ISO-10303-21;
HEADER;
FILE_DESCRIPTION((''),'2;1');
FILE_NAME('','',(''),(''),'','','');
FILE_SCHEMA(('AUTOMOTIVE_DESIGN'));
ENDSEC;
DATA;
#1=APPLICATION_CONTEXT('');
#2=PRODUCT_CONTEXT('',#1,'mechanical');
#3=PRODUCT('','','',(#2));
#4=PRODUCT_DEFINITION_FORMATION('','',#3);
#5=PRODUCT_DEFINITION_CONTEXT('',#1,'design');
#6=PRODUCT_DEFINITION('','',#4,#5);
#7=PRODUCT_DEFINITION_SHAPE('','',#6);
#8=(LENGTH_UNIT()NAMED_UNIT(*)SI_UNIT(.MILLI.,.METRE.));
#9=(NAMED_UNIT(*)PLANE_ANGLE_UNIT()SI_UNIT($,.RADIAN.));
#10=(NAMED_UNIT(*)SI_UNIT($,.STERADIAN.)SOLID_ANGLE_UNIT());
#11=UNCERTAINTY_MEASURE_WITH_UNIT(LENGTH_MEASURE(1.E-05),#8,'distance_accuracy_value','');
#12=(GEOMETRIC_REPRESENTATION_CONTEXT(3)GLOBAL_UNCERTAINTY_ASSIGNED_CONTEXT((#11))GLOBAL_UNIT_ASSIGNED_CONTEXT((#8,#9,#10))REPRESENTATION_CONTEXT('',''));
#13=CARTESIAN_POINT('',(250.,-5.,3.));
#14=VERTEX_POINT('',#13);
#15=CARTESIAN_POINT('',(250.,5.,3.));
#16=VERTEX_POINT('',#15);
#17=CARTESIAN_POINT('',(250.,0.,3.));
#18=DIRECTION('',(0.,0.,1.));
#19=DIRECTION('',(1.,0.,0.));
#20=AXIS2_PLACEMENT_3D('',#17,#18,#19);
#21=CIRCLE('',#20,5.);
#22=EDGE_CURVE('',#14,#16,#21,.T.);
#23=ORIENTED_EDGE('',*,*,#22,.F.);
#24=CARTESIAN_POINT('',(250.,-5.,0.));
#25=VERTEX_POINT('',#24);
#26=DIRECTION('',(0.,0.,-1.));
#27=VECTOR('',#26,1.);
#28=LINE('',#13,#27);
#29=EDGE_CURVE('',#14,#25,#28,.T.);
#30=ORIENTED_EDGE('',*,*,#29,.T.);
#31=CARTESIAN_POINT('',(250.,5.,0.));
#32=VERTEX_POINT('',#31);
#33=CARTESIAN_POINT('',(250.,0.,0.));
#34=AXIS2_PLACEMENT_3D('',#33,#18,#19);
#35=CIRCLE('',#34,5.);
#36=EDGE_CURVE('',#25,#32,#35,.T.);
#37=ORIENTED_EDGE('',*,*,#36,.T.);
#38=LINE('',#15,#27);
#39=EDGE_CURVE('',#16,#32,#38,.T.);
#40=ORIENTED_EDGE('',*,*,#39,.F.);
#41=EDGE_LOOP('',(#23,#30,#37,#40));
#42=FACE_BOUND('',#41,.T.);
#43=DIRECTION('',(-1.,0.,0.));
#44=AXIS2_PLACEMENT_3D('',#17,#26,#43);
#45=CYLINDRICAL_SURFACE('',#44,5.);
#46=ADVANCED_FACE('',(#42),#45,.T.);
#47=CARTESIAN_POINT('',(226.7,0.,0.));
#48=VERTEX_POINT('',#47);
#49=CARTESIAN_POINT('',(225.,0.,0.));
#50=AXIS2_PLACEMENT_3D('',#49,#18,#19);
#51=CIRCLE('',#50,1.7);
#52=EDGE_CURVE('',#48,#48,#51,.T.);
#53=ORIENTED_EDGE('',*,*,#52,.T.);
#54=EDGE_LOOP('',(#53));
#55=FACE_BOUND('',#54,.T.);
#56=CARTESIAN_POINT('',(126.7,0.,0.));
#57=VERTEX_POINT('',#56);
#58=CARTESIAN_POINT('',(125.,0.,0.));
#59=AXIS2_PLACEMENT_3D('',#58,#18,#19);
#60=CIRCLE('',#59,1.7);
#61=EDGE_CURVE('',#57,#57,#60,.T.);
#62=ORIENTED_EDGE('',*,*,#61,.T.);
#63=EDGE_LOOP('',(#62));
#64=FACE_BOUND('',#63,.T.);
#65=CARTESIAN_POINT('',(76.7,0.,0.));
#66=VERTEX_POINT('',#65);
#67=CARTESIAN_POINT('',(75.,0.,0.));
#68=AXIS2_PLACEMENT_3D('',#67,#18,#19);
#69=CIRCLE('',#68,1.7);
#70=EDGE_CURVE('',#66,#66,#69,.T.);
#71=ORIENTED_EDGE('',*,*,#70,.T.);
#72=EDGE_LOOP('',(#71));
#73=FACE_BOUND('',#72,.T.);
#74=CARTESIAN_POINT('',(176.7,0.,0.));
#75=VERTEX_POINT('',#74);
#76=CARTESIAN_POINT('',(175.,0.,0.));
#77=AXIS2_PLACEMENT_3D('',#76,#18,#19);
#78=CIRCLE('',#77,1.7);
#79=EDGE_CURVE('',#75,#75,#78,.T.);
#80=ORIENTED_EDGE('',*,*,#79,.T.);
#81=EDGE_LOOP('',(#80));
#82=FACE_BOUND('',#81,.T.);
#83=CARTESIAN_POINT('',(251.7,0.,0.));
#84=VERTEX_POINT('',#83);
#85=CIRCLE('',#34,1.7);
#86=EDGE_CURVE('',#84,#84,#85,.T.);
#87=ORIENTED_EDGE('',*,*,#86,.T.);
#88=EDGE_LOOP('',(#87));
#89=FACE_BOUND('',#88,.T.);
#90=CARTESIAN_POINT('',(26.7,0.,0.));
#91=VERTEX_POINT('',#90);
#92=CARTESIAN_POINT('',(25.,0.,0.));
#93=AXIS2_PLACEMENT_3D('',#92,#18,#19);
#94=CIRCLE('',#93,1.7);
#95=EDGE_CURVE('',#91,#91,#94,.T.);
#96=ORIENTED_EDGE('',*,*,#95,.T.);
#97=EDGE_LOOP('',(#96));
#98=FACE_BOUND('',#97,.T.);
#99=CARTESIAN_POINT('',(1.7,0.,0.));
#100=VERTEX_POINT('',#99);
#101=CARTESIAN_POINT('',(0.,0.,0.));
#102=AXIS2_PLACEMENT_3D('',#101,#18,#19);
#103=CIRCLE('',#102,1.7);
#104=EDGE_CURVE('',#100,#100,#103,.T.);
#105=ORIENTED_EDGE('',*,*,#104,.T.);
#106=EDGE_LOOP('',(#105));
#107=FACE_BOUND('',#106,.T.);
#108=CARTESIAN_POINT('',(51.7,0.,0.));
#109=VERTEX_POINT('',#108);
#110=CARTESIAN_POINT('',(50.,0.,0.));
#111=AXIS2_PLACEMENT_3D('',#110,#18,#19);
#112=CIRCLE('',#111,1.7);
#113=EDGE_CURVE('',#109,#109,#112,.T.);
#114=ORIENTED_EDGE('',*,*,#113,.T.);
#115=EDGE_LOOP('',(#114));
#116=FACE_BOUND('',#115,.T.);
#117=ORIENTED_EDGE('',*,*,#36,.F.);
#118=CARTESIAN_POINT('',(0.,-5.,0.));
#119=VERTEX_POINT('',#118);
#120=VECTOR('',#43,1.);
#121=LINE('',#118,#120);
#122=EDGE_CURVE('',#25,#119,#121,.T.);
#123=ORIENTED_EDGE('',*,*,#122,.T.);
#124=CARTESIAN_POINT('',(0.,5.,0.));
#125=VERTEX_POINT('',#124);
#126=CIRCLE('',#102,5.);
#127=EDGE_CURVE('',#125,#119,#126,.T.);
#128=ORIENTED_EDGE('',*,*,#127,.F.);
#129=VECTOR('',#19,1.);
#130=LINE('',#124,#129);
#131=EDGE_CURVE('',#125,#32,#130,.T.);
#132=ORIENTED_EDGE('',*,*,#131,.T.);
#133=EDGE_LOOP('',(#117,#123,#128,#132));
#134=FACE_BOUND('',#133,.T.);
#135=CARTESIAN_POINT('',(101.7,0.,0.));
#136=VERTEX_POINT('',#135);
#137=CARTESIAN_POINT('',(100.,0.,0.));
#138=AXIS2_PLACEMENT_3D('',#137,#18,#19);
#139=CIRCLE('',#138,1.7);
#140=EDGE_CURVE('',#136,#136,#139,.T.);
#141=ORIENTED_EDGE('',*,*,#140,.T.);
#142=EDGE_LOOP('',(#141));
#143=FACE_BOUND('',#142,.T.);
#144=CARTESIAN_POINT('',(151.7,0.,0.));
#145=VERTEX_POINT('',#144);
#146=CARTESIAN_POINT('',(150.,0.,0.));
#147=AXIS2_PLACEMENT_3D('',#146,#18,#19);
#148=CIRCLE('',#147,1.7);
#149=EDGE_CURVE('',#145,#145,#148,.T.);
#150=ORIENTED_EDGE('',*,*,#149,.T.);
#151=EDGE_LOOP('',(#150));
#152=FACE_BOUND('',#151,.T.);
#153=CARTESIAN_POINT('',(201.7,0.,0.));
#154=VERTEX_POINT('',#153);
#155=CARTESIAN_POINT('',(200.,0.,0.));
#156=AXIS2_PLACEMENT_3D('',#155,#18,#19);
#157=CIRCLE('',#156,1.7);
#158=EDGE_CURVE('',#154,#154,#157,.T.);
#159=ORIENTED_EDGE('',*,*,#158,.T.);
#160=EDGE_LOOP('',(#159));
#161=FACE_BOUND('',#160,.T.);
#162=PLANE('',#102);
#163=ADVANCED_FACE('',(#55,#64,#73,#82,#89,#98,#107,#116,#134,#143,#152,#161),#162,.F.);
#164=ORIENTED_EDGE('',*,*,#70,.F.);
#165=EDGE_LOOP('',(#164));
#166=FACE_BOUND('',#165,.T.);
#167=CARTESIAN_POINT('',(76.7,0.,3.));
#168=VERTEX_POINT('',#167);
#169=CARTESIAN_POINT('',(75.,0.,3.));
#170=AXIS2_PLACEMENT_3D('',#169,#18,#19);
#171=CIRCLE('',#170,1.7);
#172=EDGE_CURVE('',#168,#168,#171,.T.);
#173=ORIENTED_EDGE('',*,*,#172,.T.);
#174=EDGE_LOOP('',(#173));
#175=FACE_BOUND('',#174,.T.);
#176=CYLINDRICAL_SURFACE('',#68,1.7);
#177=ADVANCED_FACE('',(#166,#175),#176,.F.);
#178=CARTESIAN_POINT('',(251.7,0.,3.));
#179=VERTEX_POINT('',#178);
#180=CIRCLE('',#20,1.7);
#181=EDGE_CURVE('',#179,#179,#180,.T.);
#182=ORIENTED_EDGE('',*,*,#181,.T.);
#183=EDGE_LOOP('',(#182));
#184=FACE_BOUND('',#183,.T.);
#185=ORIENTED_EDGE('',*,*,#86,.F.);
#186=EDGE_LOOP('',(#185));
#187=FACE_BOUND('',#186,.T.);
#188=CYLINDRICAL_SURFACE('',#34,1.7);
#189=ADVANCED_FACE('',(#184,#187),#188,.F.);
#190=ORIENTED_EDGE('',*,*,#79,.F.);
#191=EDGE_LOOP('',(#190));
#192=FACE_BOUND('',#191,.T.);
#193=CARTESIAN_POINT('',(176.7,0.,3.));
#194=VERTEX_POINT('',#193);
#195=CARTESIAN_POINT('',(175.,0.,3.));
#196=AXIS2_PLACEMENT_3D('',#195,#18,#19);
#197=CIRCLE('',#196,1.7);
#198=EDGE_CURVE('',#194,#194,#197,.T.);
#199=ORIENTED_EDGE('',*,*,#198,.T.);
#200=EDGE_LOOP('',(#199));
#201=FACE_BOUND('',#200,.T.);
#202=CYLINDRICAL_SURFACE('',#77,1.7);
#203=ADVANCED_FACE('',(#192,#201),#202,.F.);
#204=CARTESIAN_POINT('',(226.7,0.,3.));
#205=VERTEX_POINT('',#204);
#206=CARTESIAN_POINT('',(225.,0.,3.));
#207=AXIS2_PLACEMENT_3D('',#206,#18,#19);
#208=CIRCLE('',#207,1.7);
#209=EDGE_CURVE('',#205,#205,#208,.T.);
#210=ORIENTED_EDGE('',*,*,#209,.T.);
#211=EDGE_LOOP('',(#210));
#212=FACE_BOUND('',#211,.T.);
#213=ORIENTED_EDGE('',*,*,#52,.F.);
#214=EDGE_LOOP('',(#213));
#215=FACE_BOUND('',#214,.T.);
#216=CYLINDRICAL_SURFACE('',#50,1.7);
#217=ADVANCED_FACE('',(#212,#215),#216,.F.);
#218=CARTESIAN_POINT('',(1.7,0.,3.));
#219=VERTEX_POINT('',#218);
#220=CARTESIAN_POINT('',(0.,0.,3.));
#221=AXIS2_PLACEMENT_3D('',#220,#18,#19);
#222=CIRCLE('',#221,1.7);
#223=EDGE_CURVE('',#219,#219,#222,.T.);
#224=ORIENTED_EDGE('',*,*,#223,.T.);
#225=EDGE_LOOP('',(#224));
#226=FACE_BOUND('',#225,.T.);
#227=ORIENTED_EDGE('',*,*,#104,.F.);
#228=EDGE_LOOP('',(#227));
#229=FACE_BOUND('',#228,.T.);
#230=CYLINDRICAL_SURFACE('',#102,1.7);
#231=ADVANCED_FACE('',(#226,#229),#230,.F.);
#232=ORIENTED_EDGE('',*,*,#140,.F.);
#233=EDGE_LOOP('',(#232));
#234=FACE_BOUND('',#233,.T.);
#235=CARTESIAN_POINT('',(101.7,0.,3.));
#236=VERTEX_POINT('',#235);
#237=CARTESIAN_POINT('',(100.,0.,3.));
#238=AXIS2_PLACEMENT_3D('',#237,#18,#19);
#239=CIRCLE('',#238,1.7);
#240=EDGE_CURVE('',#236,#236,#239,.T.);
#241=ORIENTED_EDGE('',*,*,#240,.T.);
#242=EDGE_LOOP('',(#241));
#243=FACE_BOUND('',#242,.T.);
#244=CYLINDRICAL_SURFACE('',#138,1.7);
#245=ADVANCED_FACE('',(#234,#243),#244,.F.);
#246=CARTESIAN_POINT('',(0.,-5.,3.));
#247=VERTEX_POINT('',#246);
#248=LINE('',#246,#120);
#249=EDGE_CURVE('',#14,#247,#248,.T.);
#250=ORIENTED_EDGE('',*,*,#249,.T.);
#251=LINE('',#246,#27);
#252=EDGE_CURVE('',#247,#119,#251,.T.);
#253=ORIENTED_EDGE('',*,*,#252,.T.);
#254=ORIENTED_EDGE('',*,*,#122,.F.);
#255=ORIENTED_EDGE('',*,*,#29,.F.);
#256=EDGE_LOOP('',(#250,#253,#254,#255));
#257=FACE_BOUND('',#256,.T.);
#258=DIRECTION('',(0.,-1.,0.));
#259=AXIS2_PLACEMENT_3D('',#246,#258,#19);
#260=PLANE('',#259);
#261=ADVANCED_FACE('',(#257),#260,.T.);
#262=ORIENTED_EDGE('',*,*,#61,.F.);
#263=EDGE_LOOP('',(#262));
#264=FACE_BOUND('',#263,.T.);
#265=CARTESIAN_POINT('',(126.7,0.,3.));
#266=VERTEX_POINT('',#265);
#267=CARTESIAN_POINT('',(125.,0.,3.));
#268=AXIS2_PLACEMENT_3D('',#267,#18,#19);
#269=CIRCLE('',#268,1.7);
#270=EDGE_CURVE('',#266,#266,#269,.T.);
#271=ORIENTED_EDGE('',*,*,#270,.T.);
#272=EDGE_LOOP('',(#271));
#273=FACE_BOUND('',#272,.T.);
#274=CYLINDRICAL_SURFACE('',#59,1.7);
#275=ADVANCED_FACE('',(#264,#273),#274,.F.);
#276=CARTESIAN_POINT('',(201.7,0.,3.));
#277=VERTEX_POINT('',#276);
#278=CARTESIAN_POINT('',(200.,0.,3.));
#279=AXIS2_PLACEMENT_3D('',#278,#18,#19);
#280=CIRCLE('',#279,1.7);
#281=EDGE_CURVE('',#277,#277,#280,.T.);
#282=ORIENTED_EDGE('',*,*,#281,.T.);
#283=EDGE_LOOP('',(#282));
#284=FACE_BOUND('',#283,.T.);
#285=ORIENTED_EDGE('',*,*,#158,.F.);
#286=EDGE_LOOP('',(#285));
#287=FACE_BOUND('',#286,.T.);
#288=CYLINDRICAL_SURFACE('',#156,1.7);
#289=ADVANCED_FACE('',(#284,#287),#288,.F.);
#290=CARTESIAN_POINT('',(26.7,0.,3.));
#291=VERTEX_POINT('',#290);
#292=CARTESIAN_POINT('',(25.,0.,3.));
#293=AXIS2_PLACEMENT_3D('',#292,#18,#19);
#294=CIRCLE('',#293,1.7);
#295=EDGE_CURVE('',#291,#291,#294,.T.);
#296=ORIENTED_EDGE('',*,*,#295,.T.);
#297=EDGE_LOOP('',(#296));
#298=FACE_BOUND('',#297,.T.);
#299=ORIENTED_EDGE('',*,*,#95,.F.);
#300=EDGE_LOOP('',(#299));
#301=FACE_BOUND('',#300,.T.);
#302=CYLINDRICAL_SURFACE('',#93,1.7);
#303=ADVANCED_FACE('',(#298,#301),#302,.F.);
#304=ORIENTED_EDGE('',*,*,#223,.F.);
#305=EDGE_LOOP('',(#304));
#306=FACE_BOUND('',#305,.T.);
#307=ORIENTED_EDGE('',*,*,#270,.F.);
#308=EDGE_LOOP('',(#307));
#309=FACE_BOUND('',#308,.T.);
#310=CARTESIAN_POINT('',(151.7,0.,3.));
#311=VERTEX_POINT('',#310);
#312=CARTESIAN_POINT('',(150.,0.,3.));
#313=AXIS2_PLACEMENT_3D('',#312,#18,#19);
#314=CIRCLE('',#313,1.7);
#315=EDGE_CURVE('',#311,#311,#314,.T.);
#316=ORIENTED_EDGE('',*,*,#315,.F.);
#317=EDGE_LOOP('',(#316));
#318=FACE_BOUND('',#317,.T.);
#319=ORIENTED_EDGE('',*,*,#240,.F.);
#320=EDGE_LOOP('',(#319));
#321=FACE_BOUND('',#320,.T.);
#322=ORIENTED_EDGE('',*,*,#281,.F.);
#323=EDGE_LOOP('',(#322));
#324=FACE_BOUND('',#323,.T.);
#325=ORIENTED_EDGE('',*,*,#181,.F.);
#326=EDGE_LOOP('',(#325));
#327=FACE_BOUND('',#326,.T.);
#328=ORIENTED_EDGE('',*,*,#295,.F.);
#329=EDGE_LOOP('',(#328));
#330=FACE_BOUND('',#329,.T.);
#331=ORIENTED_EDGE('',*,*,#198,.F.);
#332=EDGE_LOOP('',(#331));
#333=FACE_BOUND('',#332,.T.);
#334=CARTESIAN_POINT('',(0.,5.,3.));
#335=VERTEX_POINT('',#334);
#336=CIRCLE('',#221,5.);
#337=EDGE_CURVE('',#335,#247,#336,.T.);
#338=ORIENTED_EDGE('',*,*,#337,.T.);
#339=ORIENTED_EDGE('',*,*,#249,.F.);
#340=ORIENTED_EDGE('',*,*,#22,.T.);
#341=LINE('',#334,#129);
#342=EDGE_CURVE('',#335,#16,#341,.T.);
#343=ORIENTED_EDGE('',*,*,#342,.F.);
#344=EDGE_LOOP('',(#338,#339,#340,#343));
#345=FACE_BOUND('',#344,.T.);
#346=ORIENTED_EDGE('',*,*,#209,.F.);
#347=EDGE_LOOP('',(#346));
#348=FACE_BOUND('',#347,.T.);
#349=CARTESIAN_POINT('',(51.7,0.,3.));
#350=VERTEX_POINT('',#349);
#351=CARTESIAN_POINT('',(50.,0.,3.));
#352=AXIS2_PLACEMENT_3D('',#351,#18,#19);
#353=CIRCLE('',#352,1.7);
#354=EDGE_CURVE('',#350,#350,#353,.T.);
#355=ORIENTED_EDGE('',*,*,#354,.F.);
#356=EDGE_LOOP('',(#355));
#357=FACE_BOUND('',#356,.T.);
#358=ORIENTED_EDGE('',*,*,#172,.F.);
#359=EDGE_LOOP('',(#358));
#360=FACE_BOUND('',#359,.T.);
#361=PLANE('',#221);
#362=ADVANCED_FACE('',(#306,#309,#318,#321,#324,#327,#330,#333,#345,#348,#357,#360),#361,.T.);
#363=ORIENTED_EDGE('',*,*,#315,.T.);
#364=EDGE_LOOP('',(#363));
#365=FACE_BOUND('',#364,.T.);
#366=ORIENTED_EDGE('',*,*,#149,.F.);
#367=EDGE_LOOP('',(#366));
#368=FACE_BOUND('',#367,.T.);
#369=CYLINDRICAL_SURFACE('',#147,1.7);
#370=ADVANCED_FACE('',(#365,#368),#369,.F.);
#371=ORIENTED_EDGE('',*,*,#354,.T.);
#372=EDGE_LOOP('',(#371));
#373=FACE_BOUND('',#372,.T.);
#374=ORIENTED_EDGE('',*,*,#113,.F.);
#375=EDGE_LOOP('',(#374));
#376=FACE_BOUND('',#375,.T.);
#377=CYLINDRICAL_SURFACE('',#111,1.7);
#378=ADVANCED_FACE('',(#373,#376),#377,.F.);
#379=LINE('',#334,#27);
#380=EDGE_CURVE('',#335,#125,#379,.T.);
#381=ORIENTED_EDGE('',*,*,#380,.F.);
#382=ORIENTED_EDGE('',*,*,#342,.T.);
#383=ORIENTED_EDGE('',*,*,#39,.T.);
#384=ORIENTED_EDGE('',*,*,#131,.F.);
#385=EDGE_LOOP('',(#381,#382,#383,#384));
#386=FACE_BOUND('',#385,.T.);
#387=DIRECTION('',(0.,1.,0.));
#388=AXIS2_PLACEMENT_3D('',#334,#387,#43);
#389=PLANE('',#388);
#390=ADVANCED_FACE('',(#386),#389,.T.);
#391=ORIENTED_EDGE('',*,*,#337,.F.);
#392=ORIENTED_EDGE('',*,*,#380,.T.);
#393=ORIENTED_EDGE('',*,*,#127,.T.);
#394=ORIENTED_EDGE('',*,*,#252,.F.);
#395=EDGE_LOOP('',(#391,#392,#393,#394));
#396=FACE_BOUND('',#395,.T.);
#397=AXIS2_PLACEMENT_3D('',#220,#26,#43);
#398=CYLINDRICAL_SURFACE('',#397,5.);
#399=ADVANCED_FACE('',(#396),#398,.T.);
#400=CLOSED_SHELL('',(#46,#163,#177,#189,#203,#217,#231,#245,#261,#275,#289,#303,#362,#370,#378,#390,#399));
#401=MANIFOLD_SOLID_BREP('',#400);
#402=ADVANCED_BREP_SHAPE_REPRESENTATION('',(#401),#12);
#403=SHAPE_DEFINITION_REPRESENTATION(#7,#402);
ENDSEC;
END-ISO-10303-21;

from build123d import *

# Parameters (mm, degrees)
SKETCH1_R           = 5
BOSS_EXTRUDE1_DEPTH = 3
SKETCH2_R           = 1.7
CUT_EXTRUDE1_DEPTH  = 256.066657954
LPATTERN1_COUNT     = 10
LPATTERN1_PITCH     = 25


with BuildPart() as part:
    # Sketch1 → Boss-Extrude1 (new body)
    with BuildSketch(Plane.XY):
        with BuildLine():
            Line((250, 5), (0, 5))
            ThreePointArc((0, 5), (3.535533906, 3.535533906), (5, 0))
            ThreePointArc((5, 0), (3.535533906, -3.535533906), (0, -5))
            Line((0, -5), (250, -5))
            ThreePointArc((250, -5), (245, 0), (250, 5))
        make_face()
        with Locations((250, 0)):
            Circle(SKETCH1_R)
        Circle(SKETCH1_R)
    extrude(amount=BOSS_EXTRUDE1_DEPTH)

    # Sketch2 → Cut-Extrude1 (cut, through all)
    with BuildSketch(Plane.XY.offset(3)):
        Circle(SKETCH2_R)
        with Locations((250, 0)):
            Circle(SKETCH2_R)
    cut_extrude1 = extrude(amount=-CUT_EXTRUDE1_DEPTH, mode=Mode.SUBTRACT)

    # LPattern1: Cut-Extrude1 ×10
    with Locations(*[(i * LPATTERN1_PITCH, 0, 0) for i in range(1, LPATTERN1_COUNT)]):
        add(cut_extrude1, mode=Mode.SUBTRACT)


solid = part.part
